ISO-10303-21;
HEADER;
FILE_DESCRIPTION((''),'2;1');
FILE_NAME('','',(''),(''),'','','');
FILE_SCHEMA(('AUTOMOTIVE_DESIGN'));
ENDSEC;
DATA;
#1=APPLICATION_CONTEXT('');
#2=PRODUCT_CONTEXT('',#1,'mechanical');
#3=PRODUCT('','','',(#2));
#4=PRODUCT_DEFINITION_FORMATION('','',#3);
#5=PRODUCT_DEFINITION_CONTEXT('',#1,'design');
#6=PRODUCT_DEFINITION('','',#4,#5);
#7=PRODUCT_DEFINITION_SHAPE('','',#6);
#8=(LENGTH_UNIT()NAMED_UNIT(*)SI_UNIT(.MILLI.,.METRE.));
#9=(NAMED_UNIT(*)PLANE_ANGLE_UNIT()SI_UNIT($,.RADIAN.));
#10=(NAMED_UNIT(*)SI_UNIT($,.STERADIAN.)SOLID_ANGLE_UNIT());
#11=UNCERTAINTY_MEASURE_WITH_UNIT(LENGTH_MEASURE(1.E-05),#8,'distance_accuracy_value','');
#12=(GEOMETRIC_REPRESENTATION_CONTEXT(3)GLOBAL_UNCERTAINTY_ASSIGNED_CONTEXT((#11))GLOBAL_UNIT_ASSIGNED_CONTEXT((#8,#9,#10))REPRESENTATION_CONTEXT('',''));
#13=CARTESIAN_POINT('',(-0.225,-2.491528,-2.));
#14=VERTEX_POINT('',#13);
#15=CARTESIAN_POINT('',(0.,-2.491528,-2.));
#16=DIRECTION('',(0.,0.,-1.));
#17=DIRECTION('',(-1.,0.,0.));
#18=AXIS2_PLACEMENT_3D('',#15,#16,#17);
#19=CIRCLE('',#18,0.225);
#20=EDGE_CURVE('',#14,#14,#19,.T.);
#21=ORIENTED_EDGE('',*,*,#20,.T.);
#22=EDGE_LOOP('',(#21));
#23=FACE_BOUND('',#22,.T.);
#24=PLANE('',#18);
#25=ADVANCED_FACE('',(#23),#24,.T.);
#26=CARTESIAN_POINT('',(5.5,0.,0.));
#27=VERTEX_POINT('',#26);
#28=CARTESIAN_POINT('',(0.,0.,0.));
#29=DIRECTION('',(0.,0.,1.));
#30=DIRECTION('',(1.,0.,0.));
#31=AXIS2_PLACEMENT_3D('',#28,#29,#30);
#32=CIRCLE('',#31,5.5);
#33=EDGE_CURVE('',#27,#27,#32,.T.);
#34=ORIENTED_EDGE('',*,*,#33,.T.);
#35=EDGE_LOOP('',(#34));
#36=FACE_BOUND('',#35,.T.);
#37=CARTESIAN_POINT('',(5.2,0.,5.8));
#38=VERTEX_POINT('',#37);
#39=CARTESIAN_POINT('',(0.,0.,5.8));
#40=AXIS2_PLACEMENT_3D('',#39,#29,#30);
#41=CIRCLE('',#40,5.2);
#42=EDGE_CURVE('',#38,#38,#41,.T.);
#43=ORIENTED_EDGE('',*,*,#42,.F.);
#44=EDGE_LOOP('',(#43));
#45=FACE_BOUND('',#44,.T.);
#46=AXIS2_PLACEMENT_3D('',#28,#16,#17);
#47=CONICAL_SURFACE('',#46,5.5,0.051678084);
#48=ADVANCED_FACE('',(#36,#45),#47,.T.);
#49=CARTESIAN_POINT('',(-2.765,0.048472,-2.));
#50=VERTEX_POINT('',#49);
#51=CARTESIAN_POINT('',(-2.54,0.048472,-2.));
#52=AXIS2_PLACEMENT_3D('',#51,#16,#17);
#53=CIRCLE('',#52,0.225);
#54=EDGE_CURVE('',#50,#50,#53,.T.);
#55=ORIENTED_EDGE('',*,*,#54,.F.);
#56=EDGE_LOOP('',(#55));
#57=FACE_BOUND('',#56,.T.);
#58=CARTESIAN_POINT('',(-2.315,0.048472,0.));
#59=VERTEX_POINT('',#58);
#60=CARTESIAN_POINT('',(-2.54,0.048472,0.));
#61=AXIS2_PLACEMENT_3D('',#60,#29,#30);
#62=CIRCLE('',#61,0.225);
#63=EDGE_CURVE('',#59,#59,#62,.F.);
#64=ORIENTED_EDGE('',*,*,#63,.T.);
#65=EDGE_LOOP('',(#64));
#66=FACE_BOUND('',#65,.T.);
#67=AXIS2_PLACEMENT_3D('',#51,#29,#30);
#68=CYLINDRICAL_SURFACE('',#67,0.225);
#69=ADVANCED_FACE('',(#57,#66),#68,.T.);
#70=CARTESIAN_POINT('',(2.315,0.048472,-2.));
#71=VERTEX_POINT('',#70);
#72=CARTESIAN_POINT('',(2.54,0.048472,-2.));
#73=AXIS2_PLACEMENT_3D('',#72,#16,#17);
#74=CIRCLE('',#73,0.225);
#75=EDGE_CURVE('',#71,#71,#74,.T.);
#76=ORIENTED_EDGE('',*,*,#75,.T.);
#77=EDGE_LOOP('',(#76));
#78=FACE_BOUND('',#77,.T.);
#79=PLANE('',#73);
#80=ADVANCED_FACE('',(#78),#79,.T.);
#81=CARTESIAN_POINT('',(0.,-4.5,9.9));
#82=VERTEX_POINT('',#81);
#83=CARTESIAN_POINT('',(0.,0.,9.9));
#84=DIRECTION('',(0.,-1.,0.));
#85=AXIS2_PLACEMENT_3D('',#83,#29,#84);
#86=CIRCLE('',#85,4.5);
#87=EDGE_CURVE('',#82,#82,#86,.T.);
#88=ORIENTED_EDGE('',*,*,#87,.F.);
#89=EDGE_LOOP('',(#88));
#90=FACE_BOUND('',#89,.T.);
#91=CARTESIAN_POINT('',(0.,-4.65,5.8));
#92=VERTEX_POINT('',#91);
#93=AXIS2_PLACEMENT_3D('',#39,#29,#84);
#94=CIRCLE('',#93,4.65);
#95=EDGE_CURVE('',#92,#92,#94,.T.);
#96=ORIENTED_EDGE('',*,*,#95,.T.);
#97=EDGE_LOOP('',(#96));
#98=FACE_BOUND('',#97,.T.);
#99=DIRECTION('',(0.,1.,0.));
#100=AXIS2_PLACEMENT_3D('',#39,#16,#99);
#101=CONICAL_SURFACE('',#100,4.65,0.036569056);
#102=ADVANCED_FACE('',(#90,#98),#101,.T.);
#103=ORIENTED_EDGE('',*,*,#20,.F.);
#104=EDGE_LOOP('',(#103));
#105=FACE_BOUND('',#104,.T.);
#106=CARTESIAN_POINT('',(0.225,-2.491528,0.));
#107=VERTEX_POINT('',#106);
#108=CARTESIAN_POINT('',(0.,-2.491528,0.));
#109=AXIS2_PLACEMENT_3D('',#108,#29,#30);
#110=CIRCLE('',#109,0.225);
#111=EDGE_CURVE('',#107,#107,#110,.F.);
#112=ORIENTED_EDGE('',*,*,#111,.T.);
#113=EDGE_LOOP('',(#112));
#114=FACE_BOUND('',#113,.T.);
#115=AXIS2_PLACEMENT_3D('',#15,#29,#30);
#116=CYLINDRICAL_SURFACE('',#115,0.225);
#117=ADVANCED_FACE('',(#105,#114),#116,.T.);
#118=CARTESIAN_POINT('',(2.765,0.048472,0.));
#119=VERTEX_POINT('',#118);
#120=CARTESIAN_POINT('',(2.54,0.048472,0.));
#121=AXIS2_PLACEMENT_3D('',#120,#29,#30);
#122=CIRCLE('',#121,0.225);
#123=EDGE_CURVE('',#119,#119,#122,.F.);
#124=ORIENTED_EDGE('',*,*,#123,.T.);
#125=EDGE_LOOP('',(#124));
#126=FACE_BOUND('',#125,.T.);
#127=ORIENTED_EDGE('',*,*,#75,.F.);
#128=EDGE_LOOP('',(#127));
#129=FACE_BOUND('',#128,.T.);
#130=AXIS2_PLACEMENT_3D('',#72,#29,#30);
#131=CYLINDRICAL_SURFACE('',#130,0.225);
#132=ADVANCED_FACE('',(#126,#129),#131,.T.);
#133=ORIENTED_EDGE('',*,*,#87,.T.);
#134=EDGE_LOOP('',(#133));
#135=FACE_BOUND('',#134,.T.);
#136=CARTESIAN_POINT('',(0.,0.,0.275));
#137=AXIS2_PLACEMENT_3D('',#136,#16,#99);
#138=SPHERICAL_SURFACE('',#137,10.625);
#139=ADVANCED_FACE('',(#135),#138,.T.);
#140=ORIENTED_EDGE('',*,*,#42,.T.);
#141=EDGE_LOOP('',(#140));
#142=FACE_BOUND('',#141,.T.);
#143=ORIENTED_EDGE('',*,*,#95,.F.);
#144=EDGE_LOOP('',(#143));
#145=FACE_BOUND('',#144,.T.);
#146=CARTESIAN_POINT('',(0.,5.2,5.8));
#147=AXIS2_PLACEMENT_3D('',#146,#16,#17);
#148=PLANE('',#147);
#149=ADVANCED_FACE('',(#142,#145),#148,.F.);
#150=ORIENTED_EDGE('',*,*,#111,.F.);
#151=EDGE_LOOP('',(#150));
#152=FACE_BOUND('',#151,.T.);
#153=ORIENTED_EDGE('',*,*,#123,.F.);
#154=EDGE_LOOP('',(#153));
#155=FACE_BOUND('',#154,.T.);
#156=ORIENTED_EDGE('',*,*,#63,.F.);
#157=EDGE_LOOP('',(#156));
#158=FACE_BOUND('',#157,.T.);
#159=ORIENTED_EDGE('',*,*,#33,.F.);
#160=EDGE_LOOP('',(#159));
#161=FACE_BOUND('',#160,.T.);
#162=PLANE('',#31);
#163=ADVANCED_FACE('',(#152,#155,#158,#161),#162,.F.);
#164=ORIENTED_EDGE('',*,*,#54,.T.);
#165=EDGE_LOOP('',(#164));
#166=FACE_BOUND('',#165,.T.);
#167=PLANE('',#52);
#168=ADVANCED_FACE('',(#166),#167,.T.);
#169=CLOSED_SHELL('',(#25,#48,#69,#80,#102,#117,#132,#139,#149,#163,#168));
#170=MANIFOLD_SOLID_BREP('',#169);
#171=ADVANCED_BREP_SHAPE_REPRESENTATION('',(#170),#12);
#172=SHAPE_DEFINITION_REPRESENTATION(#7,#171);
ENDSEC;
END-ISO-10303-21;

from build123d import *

# Parameters (mm, degrees)
SKETCH7_R           = 0.225
BOSS_EXTRUDE1_DEPTH = 2


with BuildPart() as part:
    # Sketch3 → Revolve1 (revolve)
    with BuildSketch(Plane(origin=(0, 0, 0), x_dir=(0, 0, -1), z_dir=(1, 0, 0)), mode=Mode.PRIVATE) as revolve1_sk:
        Polygon((0, 0), (0, 5.5), (-5.8, 5.2), (-5.8, 0), align=None)
    revolve(revolve1_sk.sketch.rotate(Axis((0, 0, 5.8), (0, 0, -1)), 90), axis=Axis((0, 0, 5.8), (0, 0, -1)))

    # Sketch5 → Revolve2 (revolve)
    with BuildSketch(Plane(origin=(0, 0, 0), x_dir=(0, 0, -1), z_dir=(1, 0, 0)), mode=Mode.PRIVATE) as revolve2_sk:
        Polygon((-5.8, 4.65), (-9.9, 4.5), (-9.9, 0), (-5.8, 0), align=None)
    revolve(revolve2_sk.sketch.rotate(Axis((0, 0, 9.9), (0, 0, -1)), 180), axis=Axis((0, 0, 9.9), (0, 0, -1)))

    # Sketch6 → Revolve3 (revolve)
    with BuildSketch(Plane(origin=(0, 0, 0), x_dir=(0, 0, -1), z_dir=(1, 0, 0))):
        with BuildLine():
            Line((-10.9, 0), (-9.9, 0))
            Line((-9.9, 0), (-9.9, 4.5))
            ThreePointArc((-9.9, 4.5), (-10.646987514, 2.304886114), (-10.9, 0))
        make_face()
    revolve(axis=Axis((0, 0, 0), (0, 0, 1)))

    # Sketch7 → Boss-Extrude1 (add)
    with BuildSketch(Plane(origin=(0, 0, 0), x_dir=(-1, 0, 0), z_dir=(0, 0, -1))):
        with Locations(Location((2.54, 0.048471669, 0), (0, 0, 180))):
            Circle(SKETCH7_R)
        with Locations(Location((0, -2.491528331, 0), (0, 0, 180))):
            Circle(SKETCH7_R)
        with Locations(Location((-2.54, 0.048471669, 0), (0, 0, 180))):
            Circle(SKETCH7_R)
    extrude(amount=BOSS_EXTRUDE1_DEPTH)


solid = part.part
